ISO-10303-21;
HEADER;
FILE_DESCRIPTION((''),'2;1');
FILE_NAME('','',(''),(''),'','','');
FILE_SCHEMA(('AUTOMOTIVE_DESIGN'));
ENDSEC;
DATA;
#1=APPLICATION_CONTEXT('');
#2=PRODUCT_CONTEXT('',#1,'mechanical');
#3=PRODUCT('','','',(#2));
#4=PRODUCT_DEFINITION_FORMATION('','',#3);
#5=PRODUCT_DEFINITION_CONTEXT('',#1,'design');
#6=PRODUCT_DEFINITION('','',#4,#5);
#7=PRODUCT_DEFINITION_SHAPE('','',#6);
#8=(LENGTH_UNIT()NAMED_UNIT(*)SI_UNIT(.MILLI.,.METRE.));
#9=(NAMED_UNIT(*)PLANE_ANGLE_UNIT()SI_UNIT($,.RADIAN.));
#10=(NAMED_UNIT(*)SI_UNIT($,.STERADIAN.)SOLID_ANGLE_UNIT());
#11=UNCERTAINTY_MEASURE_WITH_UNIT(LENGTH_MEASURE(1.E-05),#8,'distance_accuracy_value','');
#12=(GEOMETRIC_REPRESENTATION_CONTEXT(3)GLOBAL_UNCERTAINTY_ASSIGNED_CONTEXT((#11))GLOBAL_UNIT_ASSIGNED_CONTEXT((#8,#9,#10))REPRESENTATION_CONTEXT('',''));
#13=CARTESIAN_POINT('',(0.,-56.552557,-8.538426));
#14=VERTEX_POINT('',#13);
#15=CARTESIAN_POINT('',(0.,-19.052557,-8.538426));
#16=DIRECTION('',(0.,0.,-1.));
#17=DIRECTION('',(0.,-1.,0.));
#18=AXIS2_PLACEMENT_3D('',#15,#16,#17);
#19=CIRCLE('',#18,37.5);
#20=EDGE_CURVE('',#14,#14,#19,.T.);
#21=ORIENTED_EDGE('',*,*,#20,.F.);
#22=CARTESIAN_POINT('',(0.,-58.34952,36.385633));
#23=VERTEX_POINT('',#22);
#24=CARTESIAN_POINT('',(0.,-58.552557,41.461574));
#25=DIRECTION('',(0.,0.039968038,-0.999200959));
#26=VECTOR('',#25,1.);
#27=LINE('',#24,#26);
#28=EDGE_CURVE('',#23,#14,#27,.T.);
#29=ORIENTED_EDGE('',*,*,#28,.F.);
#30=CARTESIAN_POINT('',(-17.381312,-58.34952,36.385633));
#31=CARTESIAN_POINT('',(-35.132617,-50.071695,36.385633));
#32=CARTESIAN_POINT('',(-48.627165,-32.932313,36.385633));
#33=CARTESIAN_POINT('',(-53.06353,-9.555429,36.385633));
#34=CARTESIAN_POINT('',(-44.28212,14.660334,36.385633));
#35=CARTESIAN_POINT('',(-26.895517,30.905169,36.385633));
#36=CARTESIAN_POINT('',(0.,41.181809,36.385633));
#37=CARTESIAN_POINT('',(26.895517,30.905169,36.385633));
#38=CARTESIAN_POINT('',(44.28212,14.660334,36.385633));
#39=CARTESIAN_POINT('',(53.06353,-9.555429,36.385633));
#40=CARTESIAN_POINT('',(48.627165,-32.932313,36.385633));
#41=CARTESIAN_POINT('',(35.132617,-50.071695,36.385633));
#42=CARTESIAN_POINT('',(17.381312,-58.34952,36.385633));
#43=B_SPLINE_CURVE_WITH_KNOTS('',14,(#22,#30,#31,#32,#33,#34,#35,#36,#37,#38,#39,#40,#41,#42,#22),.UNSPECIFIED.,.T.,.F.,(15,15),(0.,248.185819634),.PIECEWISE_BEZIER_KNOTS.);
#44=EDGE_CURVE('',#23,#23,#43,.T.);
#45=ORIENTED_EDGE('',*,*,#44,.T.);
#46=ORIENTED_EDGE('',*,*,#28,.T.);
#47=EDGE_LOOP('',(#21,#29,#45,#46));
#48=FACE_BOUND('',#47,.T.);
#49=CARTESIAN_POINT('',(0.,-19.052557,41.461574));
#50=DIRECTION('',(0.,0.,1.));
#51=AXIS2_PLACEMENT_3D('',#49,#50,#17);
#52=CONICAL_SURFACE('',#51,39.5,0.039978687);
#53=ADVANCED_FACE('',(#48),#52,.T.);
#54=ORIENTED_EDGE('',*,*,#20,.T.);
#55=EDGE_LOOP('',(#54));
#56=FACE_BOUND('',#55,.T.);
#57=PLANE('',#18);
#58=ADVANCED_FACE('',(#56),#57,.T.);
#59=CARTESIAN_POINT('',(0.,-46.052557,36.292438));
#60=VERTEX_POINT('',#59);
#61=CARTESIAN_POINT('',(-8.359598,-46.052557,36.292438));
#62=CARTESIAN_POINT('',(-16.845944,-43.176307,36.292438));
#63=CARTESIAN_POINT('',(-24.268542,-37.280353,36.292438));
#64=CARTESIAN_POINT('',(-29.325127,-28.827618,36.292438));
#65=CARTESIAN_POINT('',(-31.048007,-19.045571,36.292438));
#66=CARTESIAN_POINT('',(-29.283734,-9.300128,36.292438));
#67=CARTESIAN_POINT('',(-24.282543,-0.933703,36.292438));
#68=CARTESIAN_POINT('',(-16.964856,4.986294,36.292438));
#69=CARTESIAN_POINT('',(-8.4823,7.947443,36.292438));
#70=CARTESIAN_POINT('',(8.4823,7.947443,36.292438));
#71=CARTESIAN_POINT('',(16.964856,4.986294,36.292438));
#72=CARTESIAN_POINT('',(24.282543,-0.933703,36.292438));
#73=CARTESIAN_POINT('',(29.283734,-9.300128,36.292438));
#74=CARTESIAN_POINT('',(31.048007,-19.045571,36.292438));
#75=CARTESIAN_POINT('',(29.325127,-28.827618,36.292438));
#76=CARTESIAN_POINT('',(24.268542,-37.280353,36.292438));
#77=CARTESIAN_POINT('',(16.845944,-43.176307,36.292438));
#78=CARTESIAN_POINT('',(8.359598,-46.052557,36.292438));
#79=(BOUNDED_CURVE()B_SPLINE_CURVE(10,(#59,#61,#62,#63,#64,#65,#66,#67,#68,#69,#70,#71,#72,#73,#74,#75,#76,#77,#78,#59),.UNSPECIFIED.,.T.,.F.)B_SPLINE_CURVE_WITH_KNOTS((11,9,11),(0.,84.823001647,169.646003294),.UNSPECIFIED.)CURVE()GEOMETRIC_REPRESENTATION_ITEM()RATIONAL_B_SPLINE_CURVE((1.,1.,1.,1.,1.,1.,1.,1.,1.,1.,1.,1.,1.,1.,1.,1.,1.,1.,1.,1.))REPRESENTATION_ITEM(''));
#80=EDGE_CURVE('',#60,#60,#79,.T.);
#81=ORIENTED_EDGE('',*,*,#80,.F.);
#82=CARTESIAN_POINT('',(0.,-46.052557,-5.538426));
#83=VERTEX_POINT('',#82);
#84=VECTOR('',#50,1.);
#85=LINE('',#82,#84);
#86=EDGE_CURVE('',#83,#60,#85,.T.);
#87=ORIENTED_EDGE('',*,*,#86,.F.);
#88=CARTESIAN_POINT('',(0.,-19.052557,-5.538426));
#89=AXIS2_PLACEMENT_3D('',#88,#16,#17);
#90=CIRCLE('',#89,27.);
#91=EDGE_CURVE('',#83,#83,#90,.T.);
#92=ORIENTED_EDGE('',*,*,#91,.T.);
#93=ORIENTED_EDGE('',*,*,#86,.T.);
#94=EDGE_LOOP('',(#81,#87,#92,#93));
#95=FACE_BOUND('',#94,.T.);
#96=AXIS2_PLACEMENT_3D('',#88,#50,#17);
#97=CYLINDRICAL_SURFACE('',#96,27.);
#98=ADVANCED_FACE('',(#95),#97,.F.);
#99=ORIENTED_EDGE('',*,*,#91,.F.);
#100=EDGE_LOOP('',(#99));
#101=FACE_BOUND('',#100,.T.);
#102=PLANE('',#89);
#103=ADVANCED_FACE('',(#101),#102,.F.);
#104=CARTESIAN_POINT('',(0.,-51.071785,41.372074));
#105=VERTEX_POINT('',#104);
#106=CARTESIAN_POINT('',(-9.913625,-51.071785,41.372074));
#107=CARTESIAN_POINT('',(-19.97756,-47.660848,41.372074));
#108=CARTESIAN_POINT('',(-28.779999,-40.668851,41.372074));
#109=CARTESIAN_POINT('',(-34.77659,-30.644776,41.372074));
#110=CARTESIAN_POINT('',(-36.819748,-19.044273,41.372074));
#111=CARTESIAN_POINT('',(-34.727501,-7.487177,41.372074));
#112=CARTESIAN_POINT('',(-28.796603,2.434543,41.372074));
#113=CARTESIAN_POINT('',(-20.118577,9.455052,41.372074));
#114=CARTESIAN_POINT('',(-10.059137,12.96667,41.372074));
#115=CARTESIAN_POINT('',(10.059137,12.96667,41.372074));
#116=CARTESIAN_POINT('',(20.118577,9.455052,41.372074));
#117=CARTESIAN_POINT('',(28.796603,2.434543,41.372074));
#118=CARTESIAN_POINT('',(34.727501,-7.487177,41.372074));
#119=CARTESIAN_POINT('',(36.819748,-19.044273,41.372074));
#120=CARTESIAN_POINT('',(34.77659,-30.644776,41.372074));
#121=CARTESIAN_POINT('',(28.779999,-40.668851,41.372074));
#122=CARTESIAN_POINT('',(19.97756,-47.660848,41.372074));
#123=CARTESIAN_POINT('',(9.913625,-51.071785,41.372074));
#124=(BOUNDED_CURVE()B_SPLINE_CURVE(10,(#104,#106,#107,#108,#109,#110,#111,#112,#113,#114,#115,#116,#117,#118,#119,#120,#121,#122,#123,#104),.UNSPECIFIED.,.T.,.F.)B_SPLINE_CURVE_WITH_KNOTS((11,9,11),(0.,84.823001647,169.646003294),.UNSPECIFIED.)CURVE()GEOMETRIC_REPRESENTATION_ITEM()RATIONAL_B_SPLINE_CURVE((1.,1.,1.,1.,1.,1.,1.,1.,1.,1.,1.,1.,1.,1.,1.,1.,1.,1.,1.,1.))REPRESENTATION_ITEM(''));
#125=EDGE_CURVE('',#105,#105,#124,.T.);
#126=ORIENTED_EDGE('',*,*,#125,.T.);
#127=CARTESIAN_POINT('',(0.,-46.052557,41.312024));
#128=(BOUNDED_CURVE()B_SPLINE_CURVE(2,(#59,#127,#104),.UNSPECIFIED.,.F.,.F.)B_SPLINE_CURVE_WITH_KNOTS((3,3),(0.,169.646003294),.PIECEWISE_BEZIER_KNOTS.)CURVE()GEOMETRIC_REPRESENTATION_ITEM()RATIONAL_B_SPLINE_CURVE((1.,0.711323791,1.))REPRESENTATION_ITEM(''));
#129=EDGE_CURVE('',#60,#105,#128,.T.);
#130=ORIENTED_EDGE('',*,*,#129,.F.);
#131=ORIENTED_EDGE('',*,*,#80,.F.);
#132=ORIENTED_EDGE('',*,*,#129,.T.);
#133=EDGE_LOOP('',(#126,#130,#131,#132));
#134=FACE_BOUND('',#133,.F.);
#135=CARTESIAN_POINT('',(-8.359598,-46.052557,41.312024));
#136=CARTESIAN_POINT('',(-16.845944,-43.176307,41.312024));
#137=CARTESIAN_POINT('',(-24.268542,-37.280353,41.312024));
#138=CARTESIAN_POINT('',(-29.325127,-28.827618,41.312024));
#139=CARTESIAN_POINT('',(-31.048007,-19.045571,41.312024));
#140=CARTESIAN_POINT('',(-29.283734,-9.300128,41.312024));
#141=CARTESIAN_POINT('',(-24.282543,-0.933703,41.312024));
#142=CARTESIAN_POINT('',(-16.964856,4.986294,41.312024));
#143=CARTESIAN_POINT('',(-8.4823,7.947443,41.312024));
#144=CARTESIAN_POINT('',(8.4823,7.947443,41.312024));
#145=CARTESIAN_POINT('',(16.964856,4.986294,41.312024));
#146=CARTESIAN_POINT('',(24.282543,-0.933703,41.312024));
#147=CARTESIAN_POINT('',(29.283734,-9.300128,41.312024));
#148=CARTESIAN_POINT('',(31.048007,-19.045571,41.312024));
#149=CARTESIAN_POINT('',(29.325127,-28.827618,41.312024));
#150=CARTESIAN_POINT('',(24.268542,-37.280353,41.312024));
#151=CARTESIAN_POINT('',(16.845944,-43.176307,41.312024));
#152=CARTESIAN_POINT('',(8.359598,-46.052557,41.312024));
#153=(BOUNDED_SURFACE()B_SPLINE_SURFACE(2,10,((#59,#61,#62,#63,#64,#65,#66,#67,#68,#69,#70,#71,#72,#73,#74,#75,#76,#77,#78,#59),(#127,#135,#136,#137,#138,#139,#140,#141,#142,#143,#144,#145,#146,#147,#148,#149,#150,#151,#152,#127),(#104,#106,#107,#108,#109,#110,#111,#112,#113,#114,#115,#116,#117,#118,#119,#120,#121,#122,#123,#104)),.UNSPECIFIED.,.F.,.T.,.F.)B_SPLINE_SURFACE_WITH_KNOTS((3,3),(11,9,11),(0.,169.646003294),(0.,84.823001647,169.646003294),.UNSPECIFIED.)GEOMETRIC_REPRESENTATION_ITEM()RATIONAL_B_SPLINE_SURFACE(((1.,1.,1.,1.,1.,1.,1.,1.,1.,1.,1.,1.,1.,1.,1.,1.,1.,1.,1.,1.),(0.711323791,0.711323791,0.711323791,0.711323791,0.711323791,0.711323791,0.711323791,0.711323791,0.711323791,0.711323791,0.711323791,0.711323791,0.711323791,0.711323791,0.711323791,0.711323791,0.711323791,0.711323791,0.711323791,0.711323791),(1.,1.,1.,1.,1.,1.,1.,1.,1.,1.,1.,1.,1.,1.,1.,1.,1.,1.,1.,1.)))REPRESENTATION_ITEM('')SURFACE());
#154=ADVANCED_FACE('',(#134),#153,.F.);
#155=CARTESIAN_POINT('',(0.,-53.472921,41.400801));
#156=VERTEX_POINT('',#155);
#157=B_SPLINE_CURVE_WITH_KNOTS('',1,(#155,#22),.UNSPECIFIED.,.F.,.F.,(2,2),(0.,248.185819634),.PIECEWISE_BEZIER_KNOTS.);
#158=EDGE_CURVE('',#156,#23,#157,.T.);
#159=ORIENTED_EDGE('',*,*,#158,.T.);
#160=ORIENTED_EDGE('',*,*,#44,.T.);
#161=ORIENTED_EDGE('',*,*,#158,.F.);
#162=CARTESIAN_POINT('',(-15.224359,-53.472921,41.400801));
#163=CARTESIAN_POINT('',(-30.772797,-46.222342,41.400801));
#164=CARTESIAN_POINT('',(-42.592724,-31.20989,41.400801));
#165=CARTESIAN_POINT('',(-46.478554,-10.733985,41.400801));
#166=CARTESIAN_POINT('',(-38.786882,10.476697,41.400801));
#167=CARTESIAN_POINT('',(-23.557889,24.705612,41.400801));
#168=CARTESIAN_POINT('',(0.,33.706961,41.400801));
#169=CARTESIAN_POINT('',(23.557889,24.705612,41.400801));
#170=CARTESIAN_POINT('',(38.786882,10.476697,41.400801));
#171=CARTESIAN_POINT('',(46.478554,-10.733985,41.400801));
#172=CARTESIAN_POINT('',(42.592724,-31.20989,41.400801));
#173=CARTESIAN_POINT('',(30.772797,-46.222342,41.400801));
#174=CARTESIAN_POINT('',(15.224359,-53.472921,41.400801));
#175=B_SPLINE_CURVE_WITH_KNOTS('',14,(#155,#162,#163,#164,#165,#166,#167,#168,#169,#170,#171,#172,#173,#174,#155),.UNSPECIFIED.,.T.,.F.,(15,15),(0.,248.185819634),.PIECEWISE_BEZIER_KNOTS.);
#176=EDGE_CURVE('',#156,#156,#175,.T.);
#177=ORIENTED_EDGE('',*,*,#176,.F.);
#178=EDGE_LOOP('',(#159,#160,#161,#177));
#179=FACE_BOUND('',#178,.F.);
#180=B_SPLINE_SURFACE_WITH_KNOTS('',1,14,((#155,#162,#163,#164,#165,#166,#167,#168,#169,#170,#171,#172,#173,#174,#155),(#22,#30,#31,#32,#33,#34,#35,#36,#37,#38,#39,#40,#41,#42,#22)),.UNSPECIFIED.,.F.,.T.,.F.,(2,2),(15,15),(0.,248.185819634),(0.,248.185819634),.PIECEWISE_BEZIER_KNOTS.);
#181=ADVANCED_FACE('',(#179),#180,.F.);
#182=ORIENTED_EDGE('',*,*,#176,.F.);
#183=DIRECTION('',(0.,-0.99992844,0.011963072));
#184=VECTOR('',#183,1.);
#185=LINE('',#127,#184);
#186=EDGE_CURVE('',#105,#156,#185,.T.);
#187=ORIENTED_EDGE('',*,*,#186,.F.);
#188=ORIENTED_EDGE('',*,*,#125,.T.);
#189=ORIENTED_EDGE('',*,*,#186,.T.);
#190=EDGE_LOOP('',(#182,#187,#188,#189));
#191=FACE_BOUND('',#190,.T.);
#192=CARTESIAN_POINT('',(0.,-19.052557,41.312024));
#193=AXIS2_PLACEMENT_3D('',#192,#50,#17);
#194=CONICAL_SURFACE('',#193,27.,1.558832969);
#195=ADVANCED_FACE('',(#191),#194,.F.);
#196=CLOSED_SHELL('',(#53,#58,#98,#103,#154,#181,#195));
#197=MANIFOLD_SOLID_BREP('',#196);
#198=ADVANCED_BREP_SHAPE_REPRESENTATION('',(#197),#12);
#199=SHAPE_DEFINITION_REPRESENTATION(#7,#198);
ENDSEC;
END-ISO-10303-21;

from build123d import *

# Parameters (mm, degrees)
F2_R    = 5.08
F3_SIZE = 5.08


with BuildPart() as f1:
    # F0 (on Right) → F1 (revolve)
    with BuildSketch(Plane.YZ):
        Polygon((-46.0525572707, -5.5384264588), (-46.0525572707, 41.3120244363), (-58.5525572707, 41.4615735412), (-56.5525572707, -8.5384264588), (-19.0525572707, -8.5384264588), (-19.0525572707, -5.5384264588), align=None)
    revolve(axis=Axis((0, -19.0525572707, -7.0384264588), (0, 0, -1)))

    # F2
    f2_edges = [f1.edges().sort_by_distance(p)[0] for p in [
        (0, 7.947443, 41.312024),
    ]]
    fillet(f2_edges, radius=F2_R)

    # F3
    f3_edges = [f1.edges().sort_by_distance(p)[0] for p in [
        (0, 20.447443, 41.461574),
    ]]
    chamfer(f3_edges, length=F3_SIZE)


solid = f1.part
